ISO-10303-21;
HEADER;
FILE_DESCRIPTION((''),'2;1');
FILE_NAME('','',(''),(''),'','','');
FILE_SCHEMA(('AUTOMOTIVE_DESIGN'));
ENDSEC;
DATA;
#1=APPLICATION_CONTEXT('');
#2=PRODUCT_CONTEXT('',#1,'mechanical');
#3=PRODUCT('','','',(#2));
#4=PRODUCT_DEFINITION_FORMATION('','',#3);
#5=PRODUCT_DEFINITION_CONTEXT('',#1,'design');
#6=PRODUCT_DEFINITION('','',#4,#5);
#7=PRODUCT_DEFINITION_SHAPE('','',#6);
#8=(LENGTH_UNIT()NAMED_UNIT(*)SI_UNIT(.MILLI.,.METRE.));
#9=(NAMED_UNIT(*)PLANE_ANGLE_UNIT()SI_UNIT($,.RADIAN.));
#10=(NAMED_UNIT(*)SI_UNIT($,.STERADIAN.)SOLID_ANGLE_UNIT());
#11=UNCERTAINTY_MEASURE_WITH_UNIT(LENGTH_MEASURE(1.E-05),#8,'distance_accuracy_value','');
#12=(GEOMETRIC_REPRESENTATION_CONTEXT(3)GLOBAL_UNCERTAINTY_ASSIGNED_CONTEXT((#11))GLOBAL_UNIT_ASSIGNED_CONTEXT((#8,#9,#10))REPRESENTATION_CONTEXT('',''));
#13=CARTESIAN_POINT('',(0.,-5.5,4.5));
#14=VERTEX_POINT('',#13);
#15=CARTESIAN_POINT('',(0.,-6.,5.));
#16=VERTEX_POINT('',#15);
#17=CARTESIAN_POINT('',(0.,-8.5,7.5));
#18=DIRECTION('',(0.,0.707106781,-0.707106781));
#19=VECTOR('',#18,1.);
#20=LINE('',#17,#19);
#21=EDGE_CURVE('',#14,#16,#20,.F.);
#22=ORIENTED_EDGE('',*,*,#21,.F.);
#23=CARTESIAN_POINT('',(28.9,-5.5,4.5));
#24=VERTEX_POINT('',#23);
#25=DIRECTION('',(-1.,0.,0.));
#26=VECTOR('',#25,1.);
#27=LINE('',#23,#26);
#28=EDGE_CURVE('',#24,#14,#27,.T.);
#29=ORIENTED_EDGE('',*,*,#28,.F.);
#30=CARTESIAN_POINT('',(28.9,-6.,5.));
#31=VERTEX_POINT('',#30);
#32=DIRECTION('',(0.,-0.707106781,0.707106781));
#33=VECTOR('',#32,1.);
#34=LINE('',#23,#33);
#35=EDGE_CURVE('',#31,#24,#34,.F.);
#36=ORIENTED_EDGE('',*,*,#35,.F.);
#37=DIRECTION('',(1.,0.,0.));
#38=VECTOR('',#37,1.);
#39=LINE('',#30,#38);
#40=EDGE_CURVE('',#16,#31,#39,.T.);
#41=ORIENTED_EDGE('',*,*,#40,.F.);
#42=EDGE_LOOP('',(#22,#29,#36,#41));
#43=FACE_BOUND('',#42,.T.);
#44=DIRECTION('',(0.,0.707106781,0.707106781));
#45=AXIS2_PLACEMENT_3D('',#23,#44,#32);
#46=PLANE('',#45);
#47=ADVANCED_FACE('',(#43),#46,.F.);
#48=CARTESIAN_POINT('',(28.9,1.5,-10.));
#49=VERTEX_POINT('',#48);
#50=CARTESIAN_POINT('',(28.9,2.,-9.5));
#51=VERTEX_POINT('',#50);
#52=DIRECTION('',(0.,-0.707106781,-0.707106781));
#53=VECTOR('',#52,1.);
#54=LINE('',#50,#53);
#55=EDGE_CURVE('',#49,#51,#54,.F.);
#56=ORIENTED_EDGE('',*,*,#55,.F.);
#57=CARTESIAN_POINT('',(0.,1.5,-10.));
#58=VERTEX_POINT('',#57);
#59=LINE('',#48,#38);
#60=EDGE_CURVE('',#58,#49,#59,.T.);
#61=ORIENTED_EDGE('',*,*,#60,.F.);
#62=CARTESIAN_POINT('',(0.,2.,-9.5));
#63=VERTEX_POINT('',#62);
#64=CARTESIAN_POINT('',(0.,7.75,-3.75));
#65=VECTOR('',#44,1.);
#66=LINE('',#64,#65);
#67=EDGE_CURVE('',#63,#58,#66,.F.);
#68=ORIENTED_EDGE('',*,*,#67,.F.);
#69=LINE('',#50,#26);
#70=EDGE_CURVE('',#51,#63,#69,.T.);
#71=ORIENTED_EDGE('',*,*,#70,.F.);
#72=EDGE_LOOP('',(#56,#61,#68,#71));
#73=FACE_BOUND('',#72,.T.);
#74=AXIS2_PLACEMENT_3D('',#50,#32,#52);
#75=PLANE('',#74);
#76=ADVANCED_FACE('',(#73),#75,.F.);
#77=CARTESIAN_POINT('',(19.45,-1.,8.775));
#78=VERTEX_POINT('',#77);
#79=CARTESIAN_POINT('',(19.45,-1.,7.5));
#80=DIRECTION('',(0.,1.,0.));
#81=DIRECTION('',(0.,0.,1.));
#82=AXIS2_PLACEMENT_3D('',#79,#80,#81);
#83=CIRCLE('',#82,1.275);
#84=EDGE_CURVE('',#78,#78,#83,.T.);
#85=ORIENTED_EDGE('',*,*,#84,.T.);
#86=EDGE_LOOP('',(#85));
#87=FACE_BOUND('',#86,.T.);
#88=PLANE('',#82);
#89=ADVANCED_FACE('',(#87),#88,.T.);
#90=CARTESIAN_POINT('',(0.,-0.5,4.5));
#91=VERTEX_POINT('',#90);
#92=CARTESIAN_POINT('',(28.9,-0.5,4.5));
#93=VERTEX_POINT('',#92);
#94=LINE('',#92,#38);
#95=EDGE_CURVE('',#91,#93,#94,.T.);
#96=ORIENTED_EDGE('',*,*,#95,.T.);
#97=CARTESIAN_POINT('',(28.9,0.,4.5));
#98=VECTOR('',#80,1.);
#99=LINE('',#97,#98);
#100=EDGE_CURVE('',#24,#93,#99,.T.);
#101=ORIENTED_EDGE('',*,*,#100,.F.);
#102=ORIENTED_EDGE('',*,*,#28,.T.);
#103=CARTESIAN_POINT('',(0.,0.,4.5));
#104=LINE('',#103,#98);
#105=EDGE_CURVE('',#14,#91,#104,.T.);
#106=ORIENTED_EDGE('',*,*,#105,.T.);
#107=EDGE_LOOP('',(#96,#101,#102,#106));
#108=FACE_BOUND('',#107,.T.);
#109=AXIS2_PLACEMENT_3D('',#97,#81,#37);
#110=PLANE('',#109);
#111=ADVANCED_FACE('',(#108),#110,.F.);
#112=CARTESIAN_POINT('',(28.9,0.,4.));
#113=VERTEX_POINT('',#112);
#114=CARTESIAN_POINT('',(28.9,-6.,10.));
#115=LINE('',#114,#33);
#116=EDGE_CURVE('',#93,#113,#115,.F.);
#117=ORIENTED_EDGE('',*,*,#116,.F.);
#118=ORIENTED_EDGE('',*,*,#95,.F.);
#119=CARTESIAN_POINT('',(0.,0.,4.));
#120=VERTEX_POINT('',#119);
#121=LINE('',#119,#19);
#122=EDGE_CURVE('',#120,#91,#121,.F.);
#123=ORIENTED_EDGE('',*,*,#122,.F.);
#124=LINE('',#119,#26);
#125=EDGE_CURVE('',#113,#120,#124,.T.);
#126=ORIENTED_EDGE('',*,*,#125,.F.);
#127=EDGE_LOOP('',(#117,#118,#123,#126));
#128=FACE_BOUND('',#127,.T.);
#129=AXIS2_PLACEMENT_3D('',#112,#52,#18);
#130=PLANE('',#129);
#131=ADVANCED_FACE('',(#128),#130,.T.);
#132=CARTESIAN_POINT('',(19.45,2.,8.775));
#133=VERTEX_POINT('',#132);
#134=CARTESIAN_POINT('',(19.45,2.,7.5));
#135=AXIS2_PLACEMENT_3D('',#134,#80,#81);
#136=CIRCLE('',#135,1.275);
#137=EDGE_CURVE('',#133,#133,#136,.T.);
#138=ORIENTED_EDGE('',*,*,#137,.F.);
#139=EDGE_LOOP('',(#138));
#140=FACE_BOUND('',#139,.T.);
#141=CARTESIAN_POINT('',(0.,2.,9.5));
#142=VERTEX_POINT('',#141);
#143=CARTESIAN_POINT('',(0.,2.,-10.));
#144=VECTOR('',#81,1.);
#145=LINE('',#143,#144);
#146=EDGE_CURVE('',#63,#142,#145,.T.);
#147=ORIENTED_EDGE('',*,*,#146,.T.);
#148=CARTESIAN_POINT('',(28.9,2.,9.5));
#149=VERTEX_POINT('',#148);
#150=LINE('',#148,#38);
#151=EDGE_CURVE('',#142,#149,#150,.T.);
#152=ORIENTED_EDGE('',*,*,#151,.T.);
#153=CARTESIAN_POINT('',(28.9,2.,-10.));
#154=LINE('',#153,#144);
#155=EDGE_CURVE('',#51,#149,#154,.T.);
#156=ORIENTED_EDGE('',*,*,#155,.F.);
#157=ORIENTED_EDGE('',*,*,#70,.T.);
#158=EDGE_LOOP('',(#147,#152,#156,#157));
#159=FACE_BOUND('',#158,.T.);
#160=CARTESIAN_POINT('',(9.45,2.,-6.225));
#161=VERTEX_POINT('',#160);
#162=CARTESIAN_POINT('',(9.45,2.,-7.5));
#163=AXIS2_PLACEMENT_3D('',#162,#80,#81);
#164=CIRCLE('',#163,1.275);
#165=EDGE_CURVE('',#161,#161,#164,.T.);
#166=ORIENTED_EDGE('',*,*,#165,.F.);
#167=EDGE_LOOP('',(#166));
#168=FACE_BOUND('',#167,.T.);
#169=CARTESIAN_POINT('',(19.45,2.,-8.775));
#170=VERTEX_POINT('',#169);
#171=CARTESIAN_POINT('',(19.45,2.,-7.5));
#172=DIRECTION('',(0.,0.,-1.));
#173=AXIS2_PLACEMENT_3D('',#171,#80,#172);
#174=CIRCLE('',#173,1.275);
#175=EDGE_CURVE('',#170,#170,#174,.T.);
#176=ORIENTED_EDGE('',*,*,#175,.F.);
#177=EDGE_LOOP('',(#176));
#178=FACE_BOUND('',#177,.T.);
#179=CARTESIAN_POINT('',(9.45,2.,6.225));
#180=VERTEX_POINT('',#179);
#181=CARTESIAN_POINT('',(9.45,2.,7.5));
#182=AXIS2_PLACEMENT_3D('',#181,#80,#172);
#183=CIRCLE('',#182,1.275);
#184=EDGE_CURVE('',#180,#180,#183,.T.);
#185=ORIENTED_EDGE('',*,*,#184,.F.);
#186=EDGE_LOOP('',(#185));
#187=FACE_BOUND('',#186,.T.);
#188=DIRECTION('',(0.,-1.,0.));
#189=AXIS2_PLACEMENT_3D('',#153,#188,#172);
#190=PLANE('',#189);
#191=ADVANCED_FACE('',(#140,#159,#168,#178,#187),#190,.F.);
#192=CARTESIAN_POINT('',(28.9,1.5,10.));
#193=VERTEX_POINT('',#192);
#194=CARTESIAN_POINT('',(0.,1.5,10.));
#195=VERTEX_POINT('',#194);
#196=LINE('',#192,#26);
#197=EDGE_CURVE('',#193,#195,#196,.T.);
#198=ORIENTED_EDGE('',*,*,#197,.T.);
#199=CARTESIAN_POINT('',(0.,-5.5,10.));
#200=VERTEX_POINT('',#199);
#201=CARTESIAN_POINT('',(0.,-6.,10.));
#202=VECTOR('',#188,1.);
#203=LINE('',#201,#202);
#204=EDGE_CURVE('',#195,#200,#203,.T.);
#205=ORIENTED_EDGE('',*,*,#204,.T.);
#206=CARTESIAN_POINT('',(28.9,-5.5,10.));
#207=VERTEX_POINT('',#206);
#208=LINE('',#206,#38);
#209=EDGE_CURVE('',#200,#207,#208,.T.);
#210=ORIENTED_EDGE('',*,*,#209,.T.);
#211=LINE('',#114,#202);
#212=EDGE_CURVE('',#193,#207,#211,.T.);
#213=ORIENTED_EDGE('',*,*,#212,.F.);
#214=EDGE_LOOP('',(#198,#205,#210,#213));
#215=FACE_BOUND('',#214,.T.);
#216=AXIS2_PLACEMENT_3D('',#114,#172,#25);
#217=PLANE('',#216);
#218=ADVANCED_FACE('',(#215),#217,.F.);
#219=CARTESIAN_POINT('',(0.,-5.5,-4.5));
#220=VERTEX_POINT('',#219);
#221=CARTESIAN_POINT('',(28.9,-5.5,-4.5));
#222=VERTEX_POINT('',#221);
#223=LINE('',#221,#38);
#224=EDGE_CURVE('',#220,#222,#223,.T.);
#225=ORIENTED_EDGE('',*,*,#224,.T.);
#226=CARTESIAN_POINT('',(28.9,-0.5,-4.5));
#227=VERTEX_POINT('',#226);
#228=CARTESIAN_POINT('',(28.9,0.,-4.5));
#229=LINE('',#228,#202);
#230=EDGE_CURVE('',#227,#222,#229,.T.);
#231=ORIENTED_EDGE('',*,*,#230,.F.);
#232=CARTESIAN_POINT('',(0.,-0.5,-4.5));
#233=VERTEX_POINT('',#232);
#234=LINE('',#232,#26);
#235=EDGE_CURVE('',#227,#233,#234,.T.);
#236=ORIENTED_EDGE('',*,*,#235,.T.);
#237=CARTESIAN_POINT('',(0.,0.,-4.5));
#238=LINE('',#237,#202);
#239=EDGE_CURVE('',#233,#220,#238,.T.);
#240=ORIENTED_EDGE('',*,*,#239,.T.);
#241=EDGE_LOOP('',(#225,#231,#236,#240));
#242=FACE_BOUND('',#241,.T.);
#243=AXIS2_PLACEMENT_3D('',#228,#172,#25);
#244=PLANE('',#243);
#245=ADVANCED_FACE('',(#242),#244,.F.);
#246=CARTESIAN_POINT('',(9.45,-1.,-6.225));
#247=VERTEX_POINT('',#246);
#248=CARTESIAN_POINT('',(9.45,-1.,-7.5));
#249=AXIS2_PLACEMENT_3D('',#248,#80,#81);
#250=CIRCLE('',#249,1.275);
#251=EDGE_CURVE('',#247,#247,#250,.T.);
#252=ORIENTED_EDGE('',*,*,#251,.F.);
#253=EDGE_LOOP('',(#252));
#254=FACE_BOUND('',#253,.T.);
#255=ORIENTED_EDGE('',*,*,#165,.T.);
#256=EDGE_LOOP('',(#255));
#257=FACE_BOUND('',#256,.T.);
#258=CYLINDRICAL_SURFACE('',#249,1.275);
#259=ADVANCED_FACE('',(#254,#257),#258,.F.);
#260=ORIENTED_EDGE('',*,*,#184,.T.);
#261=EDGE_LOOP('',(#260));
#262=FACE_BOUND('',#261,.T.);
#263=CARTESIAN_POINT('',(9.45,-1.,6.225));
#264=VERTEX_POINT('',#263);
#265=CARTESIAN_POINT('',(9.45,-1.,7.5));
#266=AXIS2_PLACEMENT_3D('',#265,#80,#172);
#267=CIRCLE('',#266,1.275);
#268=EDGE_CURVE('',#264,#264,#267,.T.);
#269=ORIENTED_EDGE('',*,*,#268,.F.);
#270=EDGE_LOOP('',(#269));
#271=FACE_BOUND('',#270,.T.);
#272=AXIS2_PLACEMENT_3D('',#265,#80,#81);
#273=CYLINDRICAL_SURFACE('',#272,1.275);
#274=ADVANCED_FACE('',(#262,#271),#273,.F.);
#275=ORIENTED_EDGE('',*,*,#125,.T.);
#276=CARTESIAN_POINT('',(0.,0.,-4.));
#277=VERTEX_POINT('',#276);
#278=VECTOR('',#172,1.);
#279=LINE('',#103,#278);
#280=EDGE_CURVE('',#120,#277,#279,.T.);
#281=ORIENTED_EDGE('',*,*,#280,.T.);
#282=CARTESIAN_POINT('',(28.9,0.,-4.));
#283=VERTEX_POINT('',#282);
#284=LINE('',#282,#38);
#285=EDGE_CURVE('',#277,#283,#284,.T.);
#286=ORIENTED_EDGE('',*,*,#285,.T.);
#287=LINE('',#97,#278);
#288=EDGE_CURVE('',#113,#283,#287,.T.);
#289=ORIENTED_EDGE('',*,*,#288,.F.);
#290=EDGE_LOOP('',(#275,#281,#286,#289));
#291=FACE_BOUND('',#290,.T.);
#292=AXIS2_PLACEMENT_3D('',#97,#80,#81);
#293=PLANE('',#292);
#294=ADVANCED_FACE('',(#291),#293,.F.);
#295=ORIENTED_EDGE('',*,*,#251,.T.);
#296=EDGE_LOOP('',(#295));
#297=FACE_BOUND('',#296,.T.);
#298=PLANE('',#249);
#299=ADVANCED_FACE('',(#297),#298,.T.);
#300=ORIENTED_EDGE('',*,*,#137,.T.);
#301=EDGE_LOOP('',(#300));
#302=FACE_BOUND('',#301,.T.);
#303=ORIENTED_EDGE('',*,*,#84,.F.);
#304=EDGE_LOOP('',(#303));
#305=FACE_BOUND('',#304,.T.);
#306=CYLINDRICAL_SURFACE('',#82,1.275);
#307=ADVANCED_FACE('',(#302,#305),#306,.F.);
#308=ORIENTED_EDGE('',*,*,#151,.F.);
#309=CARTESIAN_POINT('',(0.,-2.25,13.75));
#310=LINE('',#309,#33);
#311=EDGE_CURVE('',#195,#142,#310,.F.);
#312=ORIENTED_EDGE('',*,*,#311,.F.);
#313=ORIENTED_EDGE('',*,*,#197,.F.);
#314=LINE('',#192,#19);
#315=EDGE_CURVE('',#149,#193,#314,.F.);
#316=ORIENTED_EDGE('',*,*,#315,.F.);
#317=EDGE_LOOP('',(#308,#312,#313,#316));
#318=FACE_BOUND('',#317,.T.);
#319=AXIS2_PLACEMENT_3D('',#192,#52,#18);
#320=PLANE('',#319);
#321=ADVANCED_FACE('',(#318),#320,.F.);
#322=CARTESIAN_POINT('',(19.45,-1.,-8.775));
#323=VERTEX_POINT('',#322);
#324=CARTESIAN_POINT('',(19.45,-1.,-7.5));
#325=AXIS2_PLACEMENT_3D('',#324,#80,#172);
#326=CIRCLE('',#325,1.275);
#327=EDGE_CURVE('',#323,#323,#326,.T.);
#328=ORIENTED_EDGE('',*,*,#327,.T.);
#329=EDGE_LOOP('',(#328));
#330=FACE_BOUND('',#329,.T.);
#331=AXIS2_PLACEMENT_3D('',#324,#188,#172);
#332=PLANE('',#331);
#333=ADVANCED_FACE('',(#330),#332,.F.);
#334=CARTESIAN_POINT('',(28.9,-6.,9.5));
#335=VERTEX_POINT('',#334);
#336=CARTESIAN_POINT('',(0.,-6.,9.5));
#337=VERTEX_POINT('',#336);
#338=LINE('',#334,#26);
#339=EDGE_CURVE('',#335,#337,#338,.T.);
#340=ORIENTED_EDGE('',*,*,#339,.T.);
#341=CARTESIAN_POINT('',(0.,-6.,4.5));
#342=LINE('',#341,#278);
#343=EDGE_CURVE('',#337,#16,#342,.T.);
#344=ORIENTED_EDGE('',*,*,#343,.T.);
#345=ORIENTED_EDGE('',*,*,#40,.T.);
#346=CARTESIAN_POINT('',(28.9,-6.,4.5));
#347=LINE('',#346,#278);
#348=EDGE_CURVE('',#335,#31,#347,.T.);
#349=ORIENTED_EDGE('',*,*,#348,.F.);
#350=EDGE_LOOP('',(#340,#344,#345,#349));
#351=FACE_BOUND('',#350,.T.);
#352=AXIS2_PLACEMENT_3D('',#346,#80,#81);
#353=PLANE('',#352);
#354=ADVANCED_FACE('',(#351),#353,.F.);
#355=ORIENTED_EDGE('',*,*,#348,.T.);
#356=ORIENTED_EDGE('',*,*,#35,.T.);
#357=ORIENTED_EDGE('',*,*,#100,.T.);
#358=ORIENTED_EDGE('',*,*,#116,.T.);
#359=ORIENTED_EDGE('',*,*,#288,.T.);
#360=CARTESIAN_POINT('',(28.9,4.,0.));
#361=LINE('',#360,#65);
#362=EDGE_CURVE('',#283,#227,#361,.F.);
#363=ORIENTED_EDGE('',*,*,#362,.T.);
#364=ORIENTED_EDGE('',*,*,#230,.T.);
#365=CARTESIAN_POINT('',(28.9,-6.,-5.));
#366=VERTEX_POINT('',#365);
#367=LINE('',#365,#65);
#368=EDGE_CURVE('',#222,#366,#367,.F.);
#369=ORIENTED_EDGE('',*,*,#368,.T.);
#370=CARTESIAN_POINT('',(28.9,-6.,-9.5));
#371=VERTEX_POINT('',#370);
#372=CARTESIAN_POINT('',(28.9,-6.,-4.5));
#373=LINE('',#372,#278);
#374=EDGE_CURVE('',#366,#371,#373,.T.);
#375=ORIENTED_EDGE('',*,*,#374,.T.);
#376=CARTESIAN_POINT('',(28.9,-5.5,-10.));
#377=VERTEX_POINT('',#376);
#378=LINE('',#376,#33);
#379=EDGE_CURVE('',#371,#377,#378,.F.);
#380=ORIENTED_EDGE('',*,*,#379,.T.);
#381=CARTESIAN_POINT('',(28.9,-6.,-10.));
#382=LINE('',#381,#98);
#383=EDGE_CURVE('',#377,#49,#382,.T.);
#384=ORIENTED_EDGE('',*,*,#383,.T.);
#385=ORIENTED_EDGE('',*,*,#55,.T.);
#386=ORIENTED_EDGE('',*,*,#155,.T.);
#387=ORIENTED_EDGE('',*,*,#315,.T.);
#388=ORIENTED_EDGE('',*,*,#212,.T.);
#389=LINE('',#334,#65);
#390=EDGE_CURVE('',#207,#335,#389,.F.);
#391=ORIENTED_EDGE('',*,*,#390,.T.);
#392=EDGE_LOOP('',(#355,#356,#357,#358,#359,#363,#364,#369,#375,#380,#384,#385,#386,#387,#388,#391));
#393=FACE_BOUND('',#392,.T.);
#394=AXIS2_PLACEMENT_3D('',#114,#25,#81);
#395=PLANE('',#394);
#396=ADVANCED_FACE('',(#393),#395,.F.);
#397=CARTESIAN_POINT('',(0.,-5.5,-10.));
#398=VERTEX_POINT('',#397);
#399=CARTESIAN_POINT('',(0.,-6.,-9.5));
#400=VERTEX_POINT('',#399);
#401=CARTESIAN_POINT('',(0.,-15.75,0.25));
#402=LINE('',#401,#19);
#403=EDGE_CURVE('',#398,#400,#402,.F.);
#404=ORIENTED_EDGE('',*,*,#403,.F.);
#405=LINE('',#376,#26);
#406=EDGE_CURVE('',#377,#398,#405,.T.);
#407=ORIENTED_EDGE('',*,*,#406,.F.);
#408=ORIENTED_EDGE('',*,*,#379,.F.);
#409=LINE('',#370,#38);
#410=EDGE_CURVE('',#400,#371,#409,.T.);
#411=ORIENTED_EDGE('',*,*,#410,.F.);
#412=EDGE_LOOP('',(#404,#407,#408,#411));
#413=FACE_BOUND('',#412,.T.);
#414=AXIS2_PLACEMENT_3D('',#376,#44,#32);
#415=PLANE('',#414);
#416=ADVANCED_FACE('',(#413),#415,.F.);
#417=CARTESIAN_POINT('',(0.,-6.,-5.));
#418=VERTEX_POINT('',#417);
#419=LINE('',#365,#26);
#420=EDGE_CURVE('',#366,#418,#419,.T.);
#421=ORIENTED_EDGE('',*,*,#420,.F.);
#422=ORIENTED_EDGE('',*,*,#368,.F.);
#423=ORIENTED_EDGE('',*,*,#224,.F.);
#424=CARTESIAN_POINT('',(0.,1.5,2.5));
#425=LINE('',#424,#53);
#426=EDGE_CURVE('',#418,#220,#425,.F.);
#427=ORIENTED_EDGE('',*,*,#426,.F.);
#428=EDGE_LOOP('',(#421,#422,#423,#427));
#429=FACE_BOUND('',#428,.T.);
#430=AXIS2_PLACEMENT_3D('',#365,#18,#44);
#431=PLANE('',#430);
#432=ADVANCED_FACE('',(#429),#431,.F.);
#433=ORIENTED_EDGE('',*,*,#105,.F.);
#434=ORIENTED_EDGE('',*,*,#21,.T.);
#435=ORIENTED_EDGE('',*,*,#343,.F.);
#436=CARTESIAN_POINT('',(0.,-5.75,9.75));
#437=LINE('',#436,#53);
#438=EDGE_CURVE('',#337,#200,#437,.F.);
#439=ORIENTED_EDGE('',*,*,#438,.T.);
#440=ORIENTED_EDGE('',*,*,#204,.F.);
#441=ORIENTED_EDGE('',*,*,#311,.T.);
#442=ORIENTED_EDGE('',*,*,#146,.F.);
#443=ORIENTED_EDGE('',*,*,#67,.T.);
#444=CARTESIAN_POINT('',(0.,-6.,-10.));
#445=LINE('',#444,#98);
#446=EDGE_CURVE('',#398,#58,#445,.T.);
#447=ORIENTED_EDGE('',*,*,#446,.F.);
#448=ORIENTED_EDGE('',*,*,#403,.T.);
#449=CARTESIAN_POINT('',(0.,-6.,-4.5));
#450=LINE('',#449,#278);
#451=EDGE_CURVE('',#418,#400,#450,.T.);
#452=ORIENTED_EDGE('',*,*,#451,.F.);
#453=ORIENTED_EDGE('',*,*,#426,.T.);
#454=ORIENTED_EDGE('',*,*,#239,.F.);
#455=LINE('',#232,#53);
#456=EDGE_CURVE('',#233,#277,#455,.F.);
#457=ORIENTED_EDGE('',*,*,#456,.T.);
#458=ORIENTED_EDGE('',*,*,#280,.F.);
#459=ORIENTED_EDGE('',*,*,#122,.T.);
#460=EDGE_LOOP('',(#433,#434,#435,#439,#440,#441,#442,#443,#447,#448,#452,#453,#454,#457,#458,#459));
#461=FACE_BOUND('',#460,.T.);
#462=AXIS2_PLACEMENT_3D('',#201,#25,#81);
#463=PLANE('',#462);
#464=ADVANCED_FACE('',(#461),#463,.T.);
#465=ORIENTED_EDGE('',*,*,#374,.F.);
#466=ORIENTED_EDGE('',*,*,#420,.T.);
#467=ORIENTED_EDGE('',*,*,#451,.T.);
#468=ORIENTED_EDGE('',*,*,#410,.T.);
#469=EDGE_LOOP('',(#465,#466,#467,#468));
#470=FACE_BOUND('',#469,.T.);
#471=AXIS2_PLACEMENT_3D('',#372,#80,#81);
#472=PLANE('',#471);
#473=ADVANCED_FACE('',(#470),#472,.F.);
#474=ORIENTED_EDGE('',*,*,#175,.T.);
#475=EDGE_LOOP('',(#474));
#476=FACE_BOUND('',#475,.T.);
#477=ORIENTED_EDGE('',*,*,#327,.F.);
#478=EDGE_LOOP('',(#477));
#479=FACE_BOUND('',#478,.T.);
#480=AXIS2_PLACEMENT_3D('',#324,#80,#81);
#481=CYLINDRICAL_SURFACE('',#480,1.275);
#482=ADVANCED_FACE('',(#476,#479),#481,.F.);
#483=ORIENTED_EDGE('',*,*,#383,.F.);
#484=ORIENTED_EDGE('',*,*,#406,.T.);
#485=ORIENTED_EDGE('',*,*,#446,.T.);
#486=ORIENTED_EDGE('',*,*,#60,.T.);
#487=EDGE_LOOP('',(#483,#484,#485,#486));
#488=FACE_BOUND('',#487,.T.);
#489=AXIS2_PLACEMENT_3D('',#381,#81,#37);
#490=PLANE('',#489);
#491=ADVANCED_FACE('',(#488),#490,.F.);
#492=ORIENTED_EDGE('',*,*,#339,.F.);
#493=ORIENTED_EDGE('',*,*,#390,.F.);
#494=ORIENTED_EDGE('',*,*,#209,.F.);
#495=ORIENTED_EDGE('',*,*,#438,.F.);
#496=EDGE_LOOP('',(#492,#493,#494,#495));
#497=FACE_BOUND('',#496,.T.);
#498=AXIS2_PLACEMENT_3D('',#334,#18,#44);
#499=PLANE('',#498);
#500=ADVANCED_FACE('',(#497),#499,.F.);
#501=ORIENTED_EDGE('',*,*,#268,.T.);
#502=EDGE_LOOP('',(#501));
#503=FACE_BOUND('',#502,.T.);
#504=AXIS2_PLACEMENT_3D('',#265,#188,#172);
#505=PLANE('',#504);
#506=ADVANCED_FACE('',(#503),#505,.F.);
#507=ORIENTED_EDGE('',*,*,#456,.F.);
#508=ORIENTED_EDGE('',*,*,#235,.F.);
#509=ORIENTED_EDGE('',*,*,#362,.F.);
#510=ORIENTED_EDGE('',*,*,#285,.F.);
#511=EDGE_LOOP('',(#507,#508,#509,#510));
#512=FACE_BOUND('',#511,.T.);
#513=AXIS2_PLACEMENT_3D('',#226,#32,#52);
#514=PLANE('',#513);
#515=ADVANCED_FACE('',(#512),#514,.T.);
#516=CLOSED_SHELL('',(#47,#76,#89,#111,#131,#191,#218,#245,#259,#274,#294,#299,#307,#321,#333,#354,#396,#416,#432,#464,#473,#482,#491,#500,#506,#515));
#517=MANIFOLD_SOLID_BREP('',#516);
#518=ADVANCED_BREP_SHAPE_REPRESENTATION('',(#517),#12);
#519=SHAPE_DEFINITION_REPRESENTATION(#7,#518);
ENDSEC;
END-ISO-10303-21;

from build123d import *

# Parameters (mm, degrees)
EXTRUDE_1_DEPTH     = 28.9
CHAMFER_1_SIZE      = 0.5
SKETCH_3_R          = 1.275
CUT_EXTRUDE_2_DEPTH = 3


with BuildPart() as part:
    # 草图2 → 拉伸1 (new body)
    with BuildSketch(Plane(origin=(0, 0, 0), x_dir=(0, 0, -1), z_dir=(1, 0, 0))):
        Polygon((-4.5, 0), (4.5, 0), (4.5, -6), (10, -6), (10, 2), (-10, 2), (-10, -6), (-4.5, -6), align=None)
    extrude(amount=EXTRUDE_1_DEPTH)

    # 倒角1
    chamfer_1_edges = [part.edges().sort_by_distance(p)[0] for p in [
        (14.45, -6, 10),
        (14.45, 2, 10),
        (14.45, 2, -10),
        (14.45, -6, -10),
        (14.45, -6, -4.5),
        (14.45, 0, -4.5),
        (14.45, 0, 4.5),
        (14.45, -6, 4.5),
    ]]
    chamfer(chamfer_1_edges, length=CHAMFER_1_SIZE)

    # 草图3 → 拉伸2 (cut)
    with BuildSketch(Plane(origin=(0, 2, 0), x_dir=(1, 0, 0), z_dir=(0, 1, 0))):
        with Locations(Location((9.45, 7.5, 0), (0, 0, 270))):
            Circle(SKETCH_3_R)
        with Locations(Location((19.45, 7.5, 0), (0, 0, 90))):
            Circle(SKETCH_3_R)
        with Locations(Location((19.45, -7.5, 0), (0, 0, 270))):
            Circle(SKETCH_3_R)
        with Locations(Location((9.45, -7.5, 0), (0, 0, 90))):
            Circle(SKETCH_3_R)
    extrude(amount=-CUT_EXTRUDE_2_DEPTH, mode=Mode.SUBTRACT)


solid = part.part
